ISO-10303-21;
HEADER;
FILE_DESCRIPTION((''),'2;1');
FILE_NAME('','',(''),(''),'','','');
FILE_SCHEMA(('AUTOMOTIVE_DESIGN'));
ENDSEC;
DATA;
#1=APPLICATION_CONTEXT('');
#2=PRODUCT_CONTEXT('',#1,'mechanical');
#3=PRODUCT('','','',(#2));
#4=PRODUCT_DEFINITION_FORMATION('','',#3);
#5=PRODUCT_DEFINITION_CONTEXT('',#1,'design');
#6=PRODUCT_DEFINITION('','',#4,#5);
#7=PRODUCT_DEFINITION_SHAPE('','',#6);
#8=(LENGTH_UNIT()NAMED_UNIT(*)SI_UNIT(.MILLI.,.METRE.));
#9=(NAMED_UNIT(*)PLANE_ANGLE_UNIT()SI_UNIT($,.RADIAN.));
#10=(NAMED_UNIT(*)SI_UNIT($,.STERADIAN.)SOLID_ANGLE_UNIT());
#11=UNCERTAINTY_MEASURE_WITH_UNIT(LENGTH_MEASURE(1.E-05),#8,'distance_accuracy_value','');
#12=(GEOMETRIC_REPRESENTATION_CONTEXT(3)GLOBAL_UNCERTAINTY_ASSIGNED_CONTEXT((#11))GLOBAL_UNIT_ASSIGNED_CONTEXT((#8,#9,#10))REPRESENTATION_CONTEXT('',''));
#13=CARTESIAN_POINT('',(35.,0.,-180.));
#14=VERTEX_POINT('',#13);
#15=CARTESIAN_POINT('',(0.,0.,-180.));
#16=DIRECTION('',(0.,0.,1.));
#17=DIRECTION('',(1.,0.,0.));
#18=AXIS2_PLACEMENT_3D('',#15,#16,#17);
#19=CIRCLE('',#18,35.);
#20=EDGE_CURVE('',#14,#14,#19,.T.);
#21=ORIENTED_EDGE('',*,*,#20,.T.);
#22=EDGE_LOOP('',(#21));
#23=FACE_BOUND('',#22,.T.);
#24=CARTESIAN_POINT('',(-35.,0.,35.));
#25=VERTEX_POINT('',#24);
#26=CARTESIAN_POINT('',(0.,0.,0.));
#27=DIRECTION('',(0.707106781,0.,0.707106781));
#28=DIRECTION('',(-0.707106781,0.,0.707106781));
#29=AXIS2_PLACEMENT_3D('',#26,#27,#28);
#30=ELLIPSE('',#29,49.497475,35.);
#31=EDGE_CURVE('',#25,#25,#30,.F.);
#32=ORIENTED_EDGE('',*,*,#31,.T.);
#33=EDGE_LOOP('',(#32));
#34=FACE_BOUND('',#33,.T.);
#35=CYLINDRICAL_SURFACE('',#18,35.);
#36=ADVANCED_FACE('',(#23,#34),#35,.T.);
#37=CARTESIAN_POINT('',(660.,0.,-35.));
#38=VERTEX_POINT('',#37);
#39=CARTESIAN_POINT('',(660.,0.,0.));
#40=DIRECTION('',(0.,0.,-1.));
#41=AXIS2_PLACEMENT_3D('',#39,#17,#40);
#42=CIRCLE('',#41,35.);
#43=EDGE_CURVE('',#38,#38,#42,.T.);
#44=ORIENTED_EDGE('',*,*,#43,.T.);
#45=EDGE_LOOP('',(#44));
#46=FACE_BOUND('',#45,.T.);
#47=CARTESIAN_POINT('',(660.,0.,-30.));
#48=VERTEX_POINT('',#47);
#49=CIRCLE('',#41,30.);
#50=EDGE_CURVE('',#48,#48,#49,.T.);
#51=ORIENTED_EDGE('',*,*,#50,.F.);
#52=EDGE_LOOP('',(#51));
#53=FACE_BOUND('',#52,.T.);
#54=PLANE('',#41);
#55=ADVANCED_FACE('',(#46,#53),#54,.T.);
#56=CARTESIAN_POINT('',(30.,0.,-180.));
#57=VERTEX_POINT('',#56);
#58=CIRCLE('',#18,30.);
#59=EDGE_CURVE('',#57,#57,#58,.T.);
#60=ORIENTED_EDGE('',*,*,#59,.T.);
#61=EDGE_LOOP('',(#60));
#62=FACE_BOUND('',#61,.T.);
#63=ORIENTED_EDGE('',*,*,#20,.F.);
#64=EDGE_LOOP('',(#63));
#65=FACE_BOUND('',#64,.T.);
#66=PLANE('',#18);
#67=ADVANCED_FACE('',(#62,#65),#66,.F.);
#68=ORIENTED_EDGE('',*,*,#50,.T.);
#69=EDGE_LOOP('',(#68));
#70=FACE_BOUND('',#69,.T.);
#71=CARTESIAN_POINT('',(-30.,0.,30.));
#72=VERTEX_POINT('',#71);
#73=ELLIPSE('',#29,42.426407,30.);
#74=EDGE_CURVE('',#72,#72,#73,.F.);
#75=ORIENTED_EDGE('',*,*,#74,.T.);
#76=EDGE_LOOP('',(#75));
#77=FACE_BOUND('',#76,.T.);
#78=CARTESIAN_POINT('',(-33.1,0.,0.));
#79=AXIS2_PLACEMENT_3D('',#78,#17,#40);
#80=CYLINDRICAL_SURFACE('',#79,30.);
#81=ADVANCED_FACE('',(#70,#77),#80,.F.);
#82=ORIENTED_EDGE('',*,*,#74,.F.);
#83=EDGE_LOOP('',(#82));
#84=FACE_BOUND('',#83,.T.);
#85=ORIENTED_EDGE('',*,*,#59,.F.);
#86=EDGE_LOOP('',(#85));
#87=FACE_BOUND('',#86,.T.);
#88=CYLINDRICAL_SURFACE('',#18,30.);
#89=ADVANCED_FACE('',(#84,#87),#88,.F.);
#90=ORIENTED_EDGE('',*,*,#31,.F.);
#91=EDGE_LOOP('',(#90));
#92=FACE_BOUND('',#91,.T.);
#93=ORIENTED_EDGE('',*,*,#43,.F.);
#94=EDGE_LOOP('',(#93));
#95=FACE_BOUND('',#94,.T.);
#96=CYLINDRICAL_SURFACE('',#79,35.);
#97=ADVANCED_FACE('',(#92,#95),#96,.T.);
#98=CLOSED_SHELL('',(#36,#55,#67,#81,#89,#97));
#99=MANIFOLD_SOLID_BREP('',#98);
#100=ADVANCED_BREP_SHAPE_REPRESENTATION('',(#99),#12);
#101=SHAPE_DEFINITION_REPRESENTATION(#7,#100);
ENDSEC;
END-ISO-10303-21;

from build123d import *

# Parameters (mm, degrees)
SKETCH2_R   = 35
SKETCH2_R_2 = 30


with BuildPart() as part:
    # Sweep-Thin1: sweep along a path in Sketch1
    with BuildLine(Plane(origin=(0, 0, 0), x_dir=(1, 0, 0), z_dir=(0, 1, 0))) as sweep_thin1_path:
        Line((0, 180), (0, 0))
        Line((0, 0), (660, 0))
    # Sketch2 → Sweep-Thin1 (sweep)
    with BuildSketch(Plane.XY.offset(-180)):
        Circle(SKETCH2_R)
        Circle(SKETCH2_R_2, mode=Mode.SUBTRACT)
    sweep(path=sweep_thin1_path.line, transition=Transition.RIGHT)


solid = part.part
